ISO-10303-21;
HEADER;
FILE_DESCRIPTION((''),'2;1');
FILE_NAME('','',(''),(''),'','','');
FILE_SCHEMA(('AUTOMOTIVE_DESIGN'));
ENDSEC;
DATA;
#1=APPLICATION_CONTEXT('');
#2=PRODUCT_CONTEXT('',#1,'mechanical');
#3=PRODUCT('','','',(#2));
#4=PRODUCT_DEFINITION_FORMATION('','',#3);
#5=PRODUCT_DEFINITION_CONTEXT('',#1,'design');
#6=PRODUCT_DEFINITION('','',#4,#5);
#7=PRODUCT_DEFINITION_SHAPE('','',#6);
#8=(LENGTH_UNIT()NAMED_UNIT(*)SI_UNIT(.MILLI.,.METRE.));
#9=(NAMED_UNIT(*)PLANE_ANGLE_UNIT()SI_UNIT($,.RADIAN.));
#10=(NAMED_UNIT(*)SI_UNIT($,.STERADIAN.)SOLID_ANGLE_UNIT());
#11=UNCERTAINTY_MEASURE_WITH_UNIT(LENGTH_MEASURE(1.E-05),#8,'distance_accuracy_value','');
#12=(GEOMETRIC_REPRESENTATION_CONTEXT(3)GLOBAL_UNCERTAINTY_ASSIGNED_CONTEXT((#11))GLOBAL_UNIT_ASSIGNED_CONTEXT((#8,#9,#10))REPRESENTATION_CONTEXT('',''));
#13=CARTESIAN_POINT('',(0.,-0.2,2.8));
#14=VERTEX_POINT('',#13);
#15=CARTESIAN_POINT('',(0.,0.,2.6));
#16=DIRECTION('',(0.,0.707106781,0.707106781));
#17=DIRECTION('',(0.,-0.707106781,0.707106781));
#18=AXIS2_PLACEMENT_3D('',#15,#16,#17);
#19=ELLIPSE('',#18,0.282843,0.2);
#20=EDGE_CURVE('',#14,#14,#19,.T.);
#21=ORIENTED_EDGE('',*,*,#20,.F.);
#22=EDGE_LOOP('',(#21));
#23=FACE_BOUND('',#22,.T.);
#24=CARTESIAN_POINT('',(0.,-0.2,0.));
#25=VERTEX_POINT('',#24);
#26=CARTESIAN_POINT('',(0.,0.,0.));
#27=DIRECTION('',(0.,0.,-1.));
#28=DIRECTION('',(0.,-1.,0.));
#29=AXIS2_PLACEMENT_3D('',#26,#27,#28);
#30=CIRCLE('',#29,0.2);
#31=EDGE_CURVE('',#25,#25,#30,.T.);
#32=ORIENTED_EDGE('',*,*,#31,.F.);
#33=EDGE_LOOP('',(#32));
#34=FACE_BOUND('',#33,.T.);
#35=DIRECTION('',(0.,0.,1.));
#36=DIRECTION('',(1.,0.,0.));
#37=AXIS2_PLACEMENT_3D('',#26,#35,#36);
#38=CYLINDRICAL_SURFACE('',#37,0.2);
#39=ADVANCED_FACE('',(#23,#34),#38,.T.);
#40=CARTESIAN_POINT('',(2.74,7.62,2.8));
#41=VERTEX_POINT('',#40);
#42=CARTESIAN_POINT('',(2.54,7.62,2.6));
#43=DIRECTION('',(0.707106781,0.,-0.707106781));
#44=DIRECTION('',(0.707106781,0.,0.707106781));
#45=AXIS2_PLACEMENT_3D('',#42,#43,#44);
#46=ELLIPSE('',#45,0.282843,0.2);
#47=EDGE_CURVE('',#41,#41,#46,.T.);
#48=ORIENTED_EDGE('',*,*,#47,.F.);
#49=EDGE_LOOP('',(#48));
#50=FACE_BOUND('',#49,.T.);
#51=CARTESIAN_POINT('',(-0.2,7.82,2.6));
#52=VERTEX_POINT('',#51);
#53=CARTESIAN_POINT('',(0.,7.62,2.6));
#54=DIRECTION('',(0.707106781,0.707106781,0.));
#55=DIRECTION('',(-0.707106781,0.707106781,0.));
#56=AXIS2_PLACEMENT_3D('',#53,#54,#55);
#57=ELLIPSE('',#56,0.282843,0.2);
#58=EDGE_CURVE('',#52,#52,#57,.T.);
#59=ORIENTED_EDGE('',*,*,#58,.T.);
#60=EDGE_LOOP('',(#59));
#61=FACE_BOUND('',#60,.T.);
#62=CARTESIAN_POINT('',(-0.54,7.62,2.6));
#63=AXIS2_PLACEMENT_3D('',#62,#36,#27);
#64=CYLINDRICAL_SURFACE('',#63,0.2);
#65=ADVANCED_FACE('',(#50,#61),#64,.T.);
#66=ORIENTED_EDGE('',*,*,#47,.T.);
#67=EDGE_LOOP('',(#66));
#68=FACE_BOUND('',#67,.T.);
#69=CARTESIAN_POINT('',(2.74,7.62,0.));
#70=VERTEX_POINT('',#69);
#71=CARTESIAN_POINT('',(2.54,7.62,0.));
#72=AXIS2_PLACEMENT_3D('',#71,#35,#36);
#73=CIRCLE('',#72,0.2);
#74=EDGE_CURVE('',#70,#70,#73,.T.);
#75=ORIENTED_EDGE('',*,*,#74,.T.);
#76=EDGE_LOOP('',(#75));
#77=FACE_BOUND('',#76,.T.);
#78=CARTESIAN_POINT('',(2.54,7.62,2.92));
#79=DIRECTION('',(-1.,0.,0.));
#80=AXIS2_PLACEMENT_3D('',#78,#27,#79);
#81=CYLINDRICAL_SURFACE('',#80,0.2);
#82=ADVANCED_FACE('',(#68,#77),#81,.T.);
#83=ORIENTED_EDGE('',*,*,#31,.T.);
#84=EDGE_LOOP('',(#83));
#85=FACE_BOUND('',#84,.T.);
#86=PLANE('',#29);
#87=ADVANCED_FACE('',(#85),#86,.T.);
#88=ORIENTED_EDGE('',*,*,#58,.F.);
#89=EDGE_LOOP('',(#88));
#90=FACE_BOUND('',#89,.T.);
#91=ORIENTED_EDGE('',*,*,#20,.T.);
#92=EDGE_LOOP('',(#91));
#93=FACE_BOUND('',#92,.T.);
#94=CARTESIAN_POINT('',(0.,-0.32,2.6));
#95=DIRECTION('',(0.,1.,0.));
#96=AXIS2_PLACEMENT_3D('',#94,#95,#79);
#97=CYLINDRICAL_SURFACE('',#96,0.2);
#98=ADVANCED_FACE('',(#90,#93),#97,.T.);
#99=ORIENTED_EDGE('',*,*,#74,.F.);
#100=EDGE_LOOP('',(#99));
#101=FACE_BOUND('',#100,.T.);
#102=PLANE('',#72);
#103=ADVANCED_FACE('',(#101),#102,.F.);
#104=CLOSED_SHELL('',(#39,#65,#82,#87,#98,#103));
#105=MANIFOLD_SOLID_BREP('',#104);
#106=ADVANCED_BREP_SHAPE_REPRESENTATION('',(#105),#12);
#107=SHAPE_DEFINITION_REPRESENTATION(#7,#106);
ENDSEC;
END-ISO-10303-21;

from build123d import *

# Parameters (mm, degrees)
SWEEP1_PROFILE_R = 0.2


with BuildPart() as part:
    # Sweep1: sweep along a curve in space
    with BuildLine() as sweep1_path:
        Line((0, 0, 0), (0, 0, 2.6))
        Line((0, 0, 2.6), (0, 7.62, 2.6))
        Line((0, 7.62, 2.6), (2.54, 7.62, 2.6))
        Line((2.54, 7.62, 2.6), (2.54, 7.62, 0))
    # Sweep1 profile (on start of the path) → Sweep1 (sweep)
    with BuildSketch(Plane.XY):
        Circle(SWEEP1_PROFILE_R)
    sweep(path=sweep1_path.line, transition=Transition.RIGHT)


solid = part.part
